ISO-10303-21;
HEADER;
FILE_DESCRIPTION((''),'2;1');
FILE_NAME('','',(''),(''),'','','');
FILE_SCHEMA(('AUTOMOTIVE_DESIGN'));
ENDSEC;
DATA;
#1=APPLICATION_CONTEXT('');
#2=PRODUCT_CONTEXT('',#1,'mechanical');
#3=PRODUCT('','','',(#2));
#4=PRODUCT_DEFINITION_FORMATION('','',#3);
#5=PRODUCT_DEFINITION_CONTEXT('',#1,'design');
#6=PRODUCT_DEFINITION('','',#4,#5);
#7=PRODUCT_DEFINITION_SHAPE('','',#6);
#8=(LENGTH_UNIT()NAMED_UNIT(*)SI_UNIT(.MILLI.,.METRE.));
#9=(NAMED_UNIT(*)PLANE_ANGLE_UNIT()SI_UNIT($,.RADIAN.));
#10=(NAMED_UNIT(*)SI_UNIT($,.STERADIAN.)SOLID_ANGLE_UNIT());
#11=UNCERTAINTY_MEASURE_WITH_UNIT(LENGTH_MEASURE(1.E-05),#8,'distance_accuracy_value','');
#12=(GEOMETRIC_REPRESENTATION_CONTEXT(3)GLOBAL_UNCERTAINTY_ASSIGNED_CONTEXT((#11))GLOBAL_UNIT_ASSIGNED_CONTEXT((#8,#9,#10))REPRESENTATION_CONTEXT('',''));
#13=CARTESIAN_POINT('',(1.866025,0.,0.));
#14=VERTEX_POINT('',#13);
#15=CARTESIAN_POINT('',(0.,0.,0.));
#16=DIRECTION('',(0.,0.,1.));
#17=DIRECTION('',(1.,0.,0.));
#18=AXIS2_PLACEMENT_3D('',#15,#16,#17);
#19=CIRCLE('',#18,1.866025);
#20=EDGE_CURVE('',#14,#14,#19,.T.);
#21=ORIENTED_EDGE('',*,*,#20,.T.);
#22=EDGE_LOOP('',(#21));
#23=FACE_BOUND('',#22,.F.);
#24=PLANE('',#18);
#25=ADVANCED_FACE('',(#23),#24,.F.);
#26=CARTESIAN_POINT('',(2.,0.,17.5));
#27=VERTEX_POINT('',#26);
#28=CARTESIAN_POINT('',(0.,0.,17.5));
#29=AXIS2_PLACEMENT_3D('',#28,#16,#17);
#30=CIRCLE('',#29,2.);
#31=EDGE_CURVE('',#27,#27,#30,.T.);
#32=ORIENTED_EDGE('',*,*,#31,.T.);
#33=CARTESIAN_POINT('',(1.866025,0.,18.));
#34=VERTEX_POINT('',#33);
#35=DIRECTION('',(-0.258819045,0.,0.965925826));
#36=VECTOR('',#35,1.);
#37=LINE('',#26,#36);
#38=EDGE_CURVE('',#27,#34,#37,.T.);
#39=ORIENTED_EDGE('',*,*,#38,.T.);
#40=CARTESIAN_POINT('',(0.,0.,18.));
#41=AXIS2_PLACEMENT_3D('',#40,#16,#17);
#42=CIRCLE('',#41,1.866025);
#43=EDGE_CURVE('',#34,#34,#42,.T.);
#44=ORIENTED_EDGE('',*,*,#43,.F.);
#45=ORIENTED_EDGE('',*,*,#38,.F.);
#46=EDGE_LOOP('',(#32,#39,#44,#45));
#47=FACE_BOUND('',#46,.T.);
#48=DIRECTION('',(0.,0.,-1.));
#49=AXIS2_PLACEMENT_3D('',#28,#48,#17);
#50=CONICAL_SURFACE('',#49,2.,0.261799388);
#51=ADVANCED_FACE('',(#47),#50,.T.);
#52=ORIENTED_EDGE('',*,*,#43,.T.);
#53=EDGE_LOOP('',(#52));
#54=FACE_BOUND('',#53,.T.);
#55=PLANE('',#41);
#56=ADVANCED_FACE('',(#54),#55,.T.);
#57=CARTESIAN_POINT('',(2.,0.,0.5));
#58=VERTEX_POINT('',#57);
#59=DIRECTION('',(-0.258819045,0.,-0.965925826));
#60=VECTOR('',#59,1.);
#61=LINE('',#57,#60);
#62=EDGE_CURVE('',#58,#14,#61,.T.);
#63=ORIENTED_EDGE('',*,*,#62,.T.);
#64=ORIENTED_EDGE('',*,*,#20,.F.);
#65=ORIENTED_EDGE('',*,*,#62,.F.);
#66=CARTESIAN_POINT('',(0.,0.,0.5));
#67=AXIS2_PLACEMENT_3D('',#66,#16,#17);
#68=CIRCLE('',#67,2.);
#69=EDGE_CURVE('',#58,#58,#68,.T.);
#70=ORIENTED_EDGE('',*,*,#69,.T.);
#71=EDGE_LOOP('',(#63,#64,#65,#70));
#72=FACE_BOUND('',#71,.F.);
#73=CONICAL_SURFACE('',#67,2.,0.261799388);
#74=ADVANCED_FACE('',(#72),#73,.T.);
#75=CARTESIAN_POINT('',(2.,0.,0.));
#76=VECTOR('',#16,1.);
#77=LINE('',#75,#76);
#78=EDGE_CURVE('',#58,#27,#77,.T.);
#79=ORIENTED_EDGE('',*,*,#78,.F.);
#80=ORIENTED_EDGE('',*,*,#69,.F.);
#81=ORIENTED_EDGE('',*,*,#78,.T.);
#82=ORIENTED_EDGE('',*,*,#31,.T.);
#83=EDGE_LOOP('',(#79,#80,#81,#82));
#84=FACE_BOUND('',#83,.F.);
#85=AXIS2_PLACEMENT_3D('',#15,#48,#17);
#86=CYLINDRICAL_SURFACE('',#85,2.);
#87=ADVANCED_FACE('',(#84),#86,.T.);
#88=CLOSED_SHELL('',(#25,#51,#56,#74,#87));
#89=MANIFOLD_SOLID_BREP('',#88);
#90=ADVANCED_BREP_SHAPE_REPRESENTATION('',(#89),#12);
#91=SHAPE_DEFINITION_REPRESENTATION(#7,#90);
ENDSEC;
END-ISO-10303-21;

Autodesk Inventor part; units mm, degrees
ref_plane "YZ Plane" through (0, 0, 0) normal (1, 0, 0) x (0, 1, 0)
ref_plane "XZ Plane" through (0, 0, 0) normal (0, 1, 0) x (-1, 0, 0)
ref_plane "XY Plane" through (0, 0, 0) normal (0, 0, 1) x (1, 0, 0)
sketch "スケッチ1" plane through (0, 0, 0) normal (0, 0, 1) x (1, 0, 0)
  circle A0 centre (0, 0) radius 2
  dimension "d0" = 4
extrude "押し出し1" add sketch "スケッチ1" along normal blind 18
chamfer "面取り1" distance 0.5 angle 15 2 edges at (-2, 0, 0) (-2, 0, 18) measured on face at (1.9935, -0.1609, 12)
properties part number "平行ピンD4L18" material "ステンレス鋼"
